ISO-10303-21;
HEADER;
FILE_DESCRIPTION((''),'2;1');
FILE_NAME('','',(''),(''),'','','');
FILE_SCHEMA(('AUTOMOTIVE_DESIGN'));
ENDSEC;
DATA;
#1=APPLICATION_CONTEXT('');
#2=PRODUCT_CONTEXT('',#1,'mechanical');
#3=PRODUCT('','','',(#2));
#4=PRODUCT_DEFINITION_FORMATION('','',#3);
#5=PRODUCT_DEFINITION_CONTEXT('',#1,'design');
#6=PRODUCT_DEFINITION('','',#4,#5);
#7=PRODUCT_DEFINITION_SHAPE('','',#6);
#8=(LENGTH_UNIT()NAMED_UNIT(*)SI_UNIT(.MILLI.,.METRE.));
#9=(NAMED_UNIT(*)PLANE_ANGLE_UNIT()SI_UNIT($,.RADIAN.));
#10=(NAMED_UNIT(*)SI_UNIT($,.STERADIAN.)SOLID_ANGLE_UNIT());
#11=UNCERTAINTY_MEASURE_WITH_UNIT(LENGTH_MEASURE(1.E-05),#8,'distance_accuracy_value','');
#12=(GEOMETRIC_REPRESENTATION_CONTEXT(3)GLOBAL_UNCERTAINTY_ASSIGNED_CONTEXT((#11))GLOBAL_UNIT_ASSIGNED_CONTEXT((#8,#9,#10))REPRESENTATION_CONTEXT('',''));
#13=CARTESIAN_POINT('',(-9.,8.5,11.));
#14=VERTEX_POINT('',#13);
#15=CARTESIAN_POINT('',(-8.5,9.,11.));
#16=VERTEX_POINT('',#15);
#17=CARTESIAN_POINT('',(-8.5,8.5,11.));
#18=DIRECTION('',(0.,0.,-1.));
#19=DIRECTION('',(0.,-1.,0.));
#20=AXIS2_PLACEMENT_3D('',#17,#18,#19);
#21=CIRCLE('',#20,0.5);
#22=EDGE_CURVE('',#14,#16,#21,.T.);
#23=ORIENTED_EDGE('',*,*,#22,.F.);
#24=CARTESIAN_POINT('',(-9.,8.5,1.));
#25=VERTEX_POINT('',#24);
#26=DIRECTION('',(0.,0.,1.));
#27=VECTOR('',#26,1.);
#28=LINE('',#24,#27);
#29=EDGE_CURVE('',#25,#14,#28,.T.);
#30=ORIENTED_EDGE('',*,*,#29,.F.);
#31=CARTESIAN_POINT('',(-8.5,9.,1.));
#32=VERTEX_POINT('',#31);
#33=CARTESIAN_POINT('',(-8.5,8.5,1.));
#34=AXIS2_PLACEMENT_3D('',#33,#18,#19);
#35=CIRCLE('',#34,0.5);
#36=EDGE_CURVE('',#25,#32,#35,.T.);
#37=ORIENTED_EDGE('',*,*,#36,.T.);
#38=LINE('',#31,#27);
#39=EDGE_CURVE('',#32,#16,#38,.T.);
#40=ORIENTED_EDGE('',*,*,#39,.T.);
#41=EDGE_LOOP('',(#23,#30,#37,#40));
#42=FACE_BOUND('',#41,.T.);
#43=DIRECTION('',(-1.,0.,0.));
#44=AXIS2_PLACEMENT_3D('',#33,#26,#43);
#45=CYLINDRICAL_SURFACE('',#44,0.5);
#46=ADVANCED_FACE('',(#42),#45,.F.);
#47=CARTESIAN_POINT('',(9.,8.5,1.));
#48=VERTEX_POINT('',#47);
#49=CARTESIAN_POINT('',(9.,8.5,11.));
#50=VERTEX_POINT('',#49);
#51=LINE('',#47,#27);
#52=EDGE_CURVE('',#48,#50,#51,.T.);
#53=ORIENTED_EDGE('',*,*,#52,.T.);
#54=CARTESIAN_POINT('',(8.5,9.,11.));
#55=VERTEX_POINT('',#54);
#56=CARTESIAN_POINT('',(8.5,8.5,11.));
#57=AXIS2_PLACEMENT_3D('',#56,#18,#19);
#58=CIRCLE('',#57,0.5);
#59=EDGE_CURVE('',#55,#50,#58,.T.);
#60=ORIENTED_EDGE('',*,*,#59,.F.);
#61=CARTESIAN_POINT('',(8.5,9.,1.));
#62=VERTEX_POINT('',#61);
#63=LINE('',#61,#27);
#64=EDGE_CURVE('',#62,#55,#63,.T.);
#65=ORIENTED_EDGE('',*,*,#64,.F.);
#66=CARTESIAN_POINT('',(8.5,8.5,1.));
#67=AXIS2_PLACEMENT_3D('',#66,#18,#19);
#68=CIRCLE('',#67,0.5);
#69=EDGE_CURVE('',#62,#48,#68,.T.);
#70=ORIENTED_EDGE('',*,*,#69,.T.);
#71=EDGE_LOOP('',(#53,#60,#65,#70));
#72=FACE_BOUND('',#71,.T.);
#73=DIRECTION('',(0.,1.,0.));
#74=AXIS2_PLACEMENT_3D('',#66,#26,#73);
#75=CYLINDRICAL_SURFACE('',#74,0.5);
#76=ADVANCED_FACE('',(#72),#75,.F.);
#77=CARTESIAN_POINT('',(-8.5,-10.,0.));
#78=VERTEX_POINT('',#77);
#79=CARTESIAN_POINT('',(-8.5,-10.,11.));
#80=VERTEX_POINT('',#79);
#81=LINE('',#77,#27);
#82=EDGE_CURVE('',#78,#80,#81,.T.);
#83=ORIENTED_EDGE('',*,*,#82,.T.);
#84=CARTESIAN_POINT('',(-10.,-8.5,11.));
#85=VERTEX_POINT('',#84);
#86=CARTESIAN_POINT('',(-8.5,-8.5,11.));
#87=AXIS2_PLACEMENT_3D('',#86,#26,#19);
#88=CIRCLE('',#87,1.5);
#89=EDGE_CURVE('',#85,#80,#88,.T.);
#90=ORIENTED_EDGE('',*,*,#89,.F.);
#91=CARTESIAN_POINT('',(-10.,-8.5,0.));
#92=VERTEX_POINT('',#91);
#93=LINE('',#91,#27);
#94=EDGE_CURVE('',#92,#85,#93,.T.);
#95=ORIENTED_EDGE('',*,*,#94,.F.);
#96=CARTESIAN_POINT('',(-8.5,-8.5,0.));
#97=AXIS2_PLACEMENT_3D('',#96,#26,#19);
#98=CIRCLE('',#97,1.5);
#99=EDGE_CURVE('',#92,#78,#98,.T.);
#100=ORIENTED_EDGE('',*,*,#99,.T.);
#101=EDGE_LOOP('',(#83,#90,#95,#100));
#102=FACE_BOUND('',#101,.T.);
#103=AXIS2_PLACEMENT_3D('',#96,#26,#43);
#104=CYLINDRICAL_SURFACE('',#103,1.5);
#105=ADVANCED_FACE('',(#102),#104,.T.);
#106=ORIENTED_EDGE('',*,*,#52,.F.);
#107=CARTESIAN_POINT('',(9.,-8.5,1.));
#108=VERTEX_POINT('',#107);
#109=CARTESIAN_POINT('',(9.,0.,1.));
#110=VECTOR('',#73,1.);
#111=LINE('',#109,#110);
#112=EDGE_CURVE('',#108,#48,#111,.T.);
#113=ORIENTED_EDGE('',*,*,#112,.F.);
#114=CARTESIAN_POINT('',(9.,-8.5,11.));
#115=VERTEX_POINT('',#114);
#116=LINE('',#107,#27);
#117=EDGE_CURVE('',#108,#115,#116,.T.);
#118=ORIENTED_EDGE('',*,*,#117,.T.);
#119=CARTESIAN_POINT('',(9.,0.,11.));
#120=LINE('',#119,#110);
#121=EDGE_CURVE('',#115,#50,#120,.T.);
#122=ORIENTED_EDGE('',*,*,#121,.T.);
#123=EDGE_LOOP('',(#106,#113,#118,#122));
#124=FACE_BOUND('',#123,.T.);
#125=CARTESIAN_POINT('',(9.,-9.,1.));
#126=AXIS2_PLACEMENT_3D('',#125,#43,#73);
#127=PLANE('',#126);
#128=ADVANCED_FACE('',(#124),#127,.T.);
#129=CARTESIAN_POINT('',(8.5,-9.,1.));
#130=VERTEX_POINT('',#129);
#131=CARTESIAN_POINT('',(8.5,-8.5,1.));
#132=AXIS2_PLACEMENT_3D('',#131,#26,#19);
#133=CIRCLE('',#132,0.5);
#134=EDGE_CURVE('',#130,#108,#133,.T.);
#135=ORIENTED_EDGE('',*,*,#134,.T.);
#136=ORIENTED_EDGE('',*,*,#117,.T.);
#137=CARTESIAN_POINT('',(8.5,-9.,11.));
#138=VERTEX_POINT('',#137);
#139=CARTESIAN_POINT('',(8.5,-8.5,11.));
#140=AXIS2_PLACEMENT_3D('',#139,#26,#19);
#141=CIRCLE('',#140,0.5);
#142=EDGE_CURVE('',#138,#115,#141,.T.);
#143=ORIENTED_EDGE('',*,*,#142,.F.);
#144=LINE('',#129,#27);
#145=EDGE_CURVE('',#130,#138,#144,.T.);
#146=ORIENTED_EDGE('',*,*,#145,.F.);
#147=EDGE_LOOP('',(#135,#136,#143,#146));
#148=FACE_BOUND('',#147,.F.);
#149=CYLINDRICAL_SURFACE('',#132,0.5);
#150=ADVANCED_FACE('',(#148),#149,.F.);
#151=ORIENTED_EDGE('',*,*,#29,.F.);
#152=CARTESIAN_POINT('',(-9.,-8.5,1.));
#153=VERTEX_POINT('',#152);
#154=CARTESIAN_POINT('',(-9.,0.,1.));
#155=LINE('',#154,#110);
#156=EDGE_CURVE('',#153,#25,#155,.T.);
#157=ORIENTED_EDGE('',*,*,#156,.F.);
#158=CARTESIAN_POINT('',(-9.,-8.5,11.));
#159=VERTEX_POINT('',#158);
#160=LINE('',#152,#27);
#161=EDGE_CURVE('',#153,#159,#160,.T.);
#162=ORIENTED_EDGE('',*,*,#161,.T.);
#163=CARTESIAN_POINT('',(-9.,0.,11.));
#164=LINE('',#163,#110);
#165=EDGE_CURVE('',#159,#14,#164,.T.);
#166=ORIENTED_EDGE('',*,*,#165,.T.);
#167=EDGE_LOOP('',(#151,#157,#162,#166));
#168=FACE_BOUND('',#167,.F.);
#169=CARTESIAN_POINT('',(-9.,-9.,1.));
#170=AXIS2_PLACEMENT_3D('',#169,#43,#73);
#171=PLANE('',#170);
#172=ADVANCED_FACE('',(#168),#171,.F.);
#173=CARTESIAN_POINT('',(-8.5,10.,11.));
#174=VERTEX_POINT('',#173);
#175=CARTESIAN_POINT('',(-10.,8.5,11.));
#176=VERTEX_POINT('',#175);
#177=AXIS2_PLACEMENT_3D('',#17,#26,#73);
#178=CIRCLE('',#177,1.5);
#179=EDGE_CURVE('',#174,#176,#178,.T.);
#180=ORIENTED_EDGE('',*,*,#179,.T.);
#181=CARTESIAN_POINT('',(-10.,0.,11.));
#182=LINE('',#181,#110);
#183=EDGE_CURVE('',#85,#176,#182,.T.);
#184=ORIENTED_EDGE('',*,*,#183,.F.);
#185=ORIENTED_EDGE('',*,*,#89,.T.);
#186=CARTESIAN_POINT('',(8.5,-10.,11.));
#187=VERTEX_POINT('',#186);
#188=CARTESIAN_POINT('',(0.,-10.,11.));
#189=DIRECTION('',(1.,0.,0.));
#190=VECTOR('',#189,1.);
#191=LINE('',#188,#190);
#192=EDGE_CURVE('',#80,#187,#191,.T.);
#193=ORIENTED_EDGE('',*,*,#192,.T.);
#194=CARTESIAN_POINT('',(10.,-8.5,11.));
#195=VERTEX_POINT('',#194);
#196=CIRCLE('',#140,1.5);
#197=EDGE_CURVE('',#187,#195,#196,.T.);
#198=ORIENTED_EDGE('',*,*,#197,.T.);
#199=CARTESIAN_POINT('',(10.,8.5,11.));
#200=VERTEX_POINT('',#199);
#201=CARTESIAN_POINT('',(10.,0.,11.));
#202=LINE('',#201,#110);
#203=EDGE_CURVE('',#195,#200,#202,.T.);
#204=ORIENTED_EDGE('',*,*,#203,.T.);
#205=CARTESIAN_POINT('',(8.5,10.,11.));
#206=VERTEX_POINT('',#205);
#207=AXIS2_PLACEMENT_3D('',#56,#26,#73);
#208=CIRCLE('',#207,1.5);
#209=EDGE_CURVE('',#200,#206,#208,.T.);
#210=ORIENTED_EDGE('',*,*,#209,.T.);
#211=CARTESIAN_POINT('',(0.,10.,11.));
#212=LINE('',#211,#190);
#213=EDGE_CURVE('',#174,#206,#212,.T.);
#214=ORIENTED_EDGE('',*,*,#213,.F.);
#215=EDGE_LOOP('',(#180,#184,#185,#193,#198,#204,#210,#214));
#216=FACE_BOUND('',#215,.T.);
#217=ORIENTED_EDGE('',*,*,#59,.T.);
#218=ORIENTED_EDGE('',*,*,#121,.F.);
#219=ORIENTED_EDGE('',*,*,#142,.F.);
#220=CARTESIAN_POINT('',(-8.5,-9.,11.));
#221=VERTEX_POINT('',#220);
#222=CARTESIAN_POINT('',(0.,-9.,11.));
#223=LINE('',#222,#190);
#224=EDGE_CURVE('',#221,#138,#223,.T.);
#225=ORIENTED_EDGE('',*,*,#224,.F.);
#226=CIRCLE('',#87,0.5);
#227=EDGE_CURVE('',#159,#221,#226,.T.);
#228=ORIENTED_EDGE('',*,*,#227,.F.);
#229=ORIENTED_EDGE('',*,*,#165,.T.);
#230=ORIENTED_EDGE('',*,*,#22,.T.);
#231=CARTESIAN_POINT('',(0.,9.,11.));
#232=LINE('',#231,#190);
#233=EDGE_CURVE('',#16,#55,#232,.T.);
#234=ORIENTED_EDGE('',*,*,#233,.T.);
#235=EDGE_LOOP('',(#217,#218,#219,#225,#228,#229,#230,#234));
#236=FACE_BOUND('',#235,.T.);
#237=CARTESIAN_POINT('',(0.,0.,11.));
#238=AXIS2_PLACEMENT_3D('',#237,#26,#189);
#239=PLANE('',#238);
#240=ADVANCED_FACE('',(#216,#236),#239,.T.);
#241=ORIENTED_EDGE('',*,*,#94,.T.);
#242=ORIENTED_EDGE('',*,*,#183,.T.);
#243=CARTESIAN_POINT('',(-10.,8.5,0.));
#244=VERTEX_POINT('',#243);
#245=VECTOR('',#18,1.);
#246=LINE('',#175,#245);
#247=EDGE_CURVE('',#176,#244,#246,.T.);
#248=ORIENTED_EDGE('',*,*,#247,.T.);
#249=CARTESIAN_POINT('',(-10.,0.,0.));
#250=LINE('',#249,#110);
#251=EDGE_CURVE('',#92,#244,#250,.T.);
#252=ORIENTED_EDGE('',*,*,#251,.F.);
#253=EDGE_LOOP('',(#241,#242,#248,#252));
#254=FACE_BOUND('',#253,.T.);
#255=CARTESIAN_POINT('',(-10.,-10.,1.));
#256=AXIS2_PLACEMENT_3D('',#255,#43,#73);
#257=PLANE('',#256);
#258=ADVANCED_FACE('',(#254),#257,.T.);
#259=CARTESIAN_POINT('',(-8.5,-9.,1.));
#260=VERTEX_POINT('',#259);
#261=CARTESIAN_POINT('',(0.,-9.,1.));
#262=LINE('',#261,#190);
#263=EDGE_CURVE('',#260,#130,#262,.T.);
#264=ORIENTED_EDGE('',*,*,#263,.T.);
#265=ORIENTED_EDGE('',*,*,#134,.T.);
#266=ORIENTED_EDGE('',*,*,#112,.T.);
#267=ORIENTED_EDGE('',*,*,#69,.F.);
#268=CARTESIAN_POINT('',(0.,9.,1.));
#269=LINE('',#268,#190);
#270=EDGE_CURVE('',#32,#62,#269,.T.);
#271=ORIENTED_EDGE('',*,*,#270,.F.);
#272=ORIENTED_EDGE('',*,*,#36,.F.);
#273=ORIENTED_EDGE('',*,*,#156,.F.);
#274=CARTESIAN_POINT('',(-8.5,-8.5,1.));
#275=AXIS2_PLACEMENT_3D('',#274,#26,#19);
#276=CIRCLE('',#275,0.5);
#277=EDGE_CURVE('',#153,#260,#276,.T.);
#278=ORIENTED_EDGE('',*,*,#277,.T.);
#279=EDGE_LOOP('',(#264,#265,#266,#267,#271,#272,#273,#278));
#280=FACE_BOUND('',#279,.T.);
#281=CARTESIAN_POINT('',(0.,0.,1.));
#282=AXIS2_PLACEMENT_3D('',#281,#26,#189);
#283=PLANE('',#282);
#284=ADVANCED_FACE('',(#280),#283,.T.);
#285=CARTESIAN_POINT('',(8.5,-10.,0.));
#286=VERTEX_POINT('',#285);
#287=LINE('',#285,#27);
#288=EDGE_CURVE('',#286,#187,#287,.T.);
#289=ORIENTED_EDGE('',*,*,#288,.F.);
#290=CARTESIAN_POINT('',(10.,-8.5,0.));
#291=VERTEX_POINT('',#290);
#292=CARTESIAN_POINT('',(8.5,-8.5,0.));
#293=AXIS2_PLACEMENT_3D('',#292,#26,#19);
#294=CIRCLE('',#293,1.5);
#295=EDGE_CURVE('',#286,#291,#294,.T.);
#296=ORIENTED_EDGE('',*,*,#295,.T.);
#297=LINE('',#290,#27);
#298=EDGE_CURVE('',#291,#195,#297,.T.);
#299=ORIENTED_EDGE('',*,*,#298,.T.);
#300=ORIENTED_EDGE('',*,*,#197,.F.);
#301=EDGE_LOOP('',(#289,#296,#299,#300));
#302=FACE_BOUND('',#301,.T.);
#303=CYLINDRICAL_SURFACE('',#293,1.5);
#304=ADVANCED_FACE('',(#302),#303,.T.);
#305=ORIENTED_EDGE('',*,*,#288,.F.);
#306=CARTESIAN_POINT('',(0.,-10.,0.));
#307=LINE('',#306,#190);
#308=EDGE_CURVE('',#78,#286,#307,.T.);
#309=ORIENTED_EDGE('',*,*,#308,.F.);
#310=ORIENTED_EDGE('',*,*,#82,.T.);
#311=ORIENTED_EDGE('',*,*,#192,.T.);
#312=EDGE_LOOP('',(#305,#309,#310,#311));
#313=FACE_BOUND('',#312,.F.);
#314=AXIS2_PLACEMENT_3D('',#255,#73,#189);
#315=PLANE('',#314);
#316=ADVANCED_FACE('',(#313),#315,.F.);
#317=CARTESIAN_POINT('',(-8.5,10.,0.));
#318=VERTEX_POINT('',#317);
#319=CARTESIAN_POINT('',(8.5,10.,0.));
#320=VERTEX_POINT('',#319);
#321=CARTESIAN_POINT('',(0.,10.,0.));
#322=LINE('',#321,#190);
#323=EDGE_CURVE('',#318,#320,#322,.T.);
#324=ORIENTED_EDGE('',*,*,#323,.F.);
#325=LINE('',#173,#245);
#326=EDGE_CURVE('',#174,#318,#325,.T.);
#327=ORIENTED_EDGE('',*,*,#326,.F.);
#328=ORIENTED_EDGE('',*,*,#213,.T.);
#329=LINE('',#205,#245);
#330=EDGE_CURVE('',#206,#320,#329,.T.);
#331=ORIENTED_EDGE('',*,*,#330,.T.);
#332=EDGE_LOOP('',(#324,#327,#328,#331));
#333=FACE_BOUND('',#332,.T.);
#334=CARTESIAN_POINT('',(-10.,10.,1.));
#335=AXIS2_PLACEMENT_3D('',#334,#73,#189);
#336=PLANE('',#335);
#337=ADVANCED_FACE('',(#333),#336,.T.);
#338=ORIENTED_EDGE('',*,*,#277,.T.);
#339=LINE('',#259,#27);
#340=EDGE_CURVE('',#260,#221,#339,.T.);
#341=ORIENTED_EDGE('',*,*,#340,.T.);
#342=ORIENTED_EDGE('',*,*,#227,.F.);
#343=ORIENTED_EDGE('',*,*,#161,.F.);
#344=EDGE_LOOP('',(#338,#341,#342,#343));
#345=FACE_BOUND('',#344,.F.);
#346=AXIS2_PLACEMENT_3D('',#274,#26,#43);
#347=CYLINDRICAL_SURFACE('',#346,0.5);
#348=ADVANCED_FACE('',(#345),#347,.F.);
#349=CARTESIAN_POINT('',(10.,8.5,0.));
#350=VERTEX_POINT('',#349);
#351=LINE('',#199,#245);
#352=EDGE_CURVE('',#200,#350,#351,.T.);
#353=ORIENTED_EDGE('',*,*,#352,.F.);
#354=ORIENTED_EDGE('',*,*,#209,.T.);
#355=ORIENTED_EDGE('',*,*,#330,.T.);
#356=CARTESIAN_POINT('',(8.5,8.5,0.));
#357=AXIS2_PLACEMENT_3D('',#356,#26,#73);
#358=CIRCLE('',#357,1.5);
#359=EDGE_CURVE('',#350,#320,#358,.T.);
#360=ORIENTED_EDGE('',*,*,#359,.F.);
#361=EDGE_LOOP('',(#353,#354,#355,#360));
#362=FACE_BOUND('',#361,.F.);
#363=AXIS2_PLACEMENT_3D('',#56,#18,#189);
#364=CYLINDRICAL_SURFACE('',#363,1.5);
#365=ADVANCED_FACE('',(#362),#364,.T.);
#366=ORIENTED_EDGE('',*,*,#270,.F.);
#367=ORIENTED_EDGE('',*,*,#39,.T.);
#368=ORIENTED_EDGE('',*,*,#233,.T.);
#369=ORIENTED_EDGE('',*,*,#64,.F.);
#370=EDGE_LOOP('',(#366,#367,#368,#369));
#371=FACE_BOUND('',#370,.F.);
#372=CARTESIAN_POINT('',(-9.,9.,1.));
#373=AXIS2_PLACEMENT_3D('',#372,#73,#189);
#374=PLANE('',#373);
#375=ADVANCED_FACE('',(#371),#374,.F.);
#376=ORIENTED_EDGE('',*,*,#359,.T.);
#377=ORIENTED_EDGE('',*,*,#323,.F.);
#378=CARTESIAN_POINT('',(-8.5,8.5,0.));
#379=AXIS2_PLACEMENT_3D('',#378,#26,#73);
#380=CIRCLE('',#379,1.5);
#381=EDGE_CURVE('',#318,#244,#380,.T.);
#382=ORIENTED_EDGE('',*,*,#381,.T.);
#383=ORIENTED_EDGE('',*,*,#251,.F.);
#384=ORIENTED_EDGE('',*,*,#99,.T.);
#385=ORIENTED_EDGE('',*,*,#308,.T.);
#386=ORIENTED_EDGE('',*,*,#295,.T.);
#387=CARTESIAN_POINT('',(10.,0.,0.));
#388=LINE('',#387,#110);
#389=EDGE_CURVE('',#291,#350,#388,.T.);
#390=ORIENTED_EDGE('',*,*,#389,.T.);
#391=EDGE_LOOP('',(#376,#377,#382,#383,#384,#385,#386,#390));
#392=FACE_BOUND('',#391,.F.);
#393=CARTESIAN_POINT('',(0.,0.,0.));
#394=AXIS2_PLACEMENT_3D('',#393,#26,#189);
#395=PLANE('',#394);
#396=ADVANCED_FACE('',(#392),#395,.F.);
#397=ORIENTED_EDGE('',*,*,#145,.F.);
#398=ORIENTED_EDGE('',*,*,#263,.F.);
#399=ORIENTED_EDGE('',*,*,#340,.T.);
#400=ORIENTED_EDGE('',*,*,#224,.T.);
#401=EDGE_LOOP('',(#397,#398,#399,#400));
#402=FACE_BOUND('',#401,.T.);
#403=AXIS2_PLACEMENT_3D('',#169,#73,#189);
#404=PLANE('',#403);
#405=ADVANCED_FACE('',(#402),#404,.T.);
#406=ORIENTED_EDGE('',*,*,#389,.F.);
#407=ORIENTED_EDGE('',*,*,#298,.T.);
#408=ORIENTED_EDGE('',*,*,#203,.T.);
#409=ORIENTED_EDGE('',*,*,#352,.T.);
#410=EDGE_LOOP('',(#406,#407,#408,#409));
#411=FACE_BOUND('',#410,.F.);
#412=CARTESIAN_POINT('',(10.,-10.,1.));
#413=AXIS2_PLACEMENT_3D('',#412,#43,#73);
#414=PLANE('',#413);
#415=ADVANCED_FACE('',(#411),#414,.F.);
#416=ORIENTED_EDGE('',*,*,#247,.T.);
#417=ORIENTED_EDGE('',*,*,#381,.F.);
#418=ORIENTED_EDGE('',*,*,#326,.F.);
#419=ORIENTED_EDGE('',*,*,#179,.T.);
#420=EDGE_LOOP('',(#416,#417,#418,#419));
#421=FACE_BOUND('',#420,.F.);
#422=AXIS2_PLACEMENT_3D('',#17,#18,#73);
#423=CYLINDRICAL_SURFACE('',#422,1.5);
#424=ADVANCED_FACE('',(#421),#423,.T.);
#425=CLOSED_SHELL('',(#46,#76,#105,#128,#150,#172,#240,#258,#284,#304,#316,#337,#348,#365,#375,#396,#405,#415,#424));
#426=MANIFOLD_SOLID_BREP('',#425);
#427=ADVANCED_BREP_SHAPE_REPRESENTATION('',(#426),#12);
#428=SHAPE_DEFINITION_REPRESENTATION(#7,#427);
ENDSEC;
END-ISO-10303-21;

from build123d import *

# Parameters (mm, degrees)
F0_W     = 20
F0_H     = 20
F1_DEPTH = 1
F2_W     = 20
F2_H     = 20
F2_W_2   = 18
F2_H_2   = 18
F3_DEPTH = 10
F4_R     = 1.5
F5_R     = 0.5
F6_R     = 1.5
F7_R     = 1.5
F8_R     = 1.5
F9_R     = 0.5
F10_R    = 0.5
F11_R    = 0.5


with BuildPart() as f1:
    # F0 (on Top) → F1 (new body)
    with BuildSketch(Plane.XY):
        Rectangle(F0_W, F0_H)
    extrude(amount=F1_DEPTH)

    # F2 (on face) → F3 (join)
    with BuildSketch(Plane.XY.offset(1)):
        Rectangle(F2_W, F2_H)
        Rectangle(F2_W_2, F2_H_2, mode=Mode.SUBTRACT)
    extrude(amount=F3_DEPTH)

    # F4
    f4_edges = [f1.edges().sort_by_distance(p)[0] for p in [
        (10, -10, 5.5),
    ]]
    fillet(f4_edges, radius=F4_R)

    # F5
    f5_edges = [f1.edges().sort_by_distance(p)[0] for p in [
        (9, -9, 6),
    ]]
    fillet(f5_edges, radius=F5_R)

    # F6
    f6_edges = [f1.edges().sort_by_distance(p)[0] for p in [
        (10, 10, 5.5),
    ]]
    fillet(f6_edges, radius=F6_R)

    # F7
    f7_edges = [f1.edges().sort_by_distance(p)[0] for p in [
        (-10, 10, 5.5),
    ]]
    fillet(f7_edges, radius=F7_R)

    # F8
    f8_edges = [f1.edges().sort_by_distance(p)[0] for p in [
        (-10, -10, 5.5),
    ]]
    fillet(f8_edges, radius=F8_R)

    # F9
    f9_edges = [f1.edges().sort_by_distance(p)[0] for p in [
        (-9, 9, 6),
    ]]
    fillet(f9_edges, radius=F9_R)

    # F10
    f10_edges = [f1.edges().sort_by_distance(p)[0] for p in [
        (9, 9, 6),
    ]]
    fillet(f10_edges, radius=F10_R)

    # F11
    f11_edges = [f1.edges().sort_by_distance(p)[0] for p in [
        (-9, -9, 6),
    ]]
    fillet(f11_edges, radius=F11_R)


solid = f1.part
